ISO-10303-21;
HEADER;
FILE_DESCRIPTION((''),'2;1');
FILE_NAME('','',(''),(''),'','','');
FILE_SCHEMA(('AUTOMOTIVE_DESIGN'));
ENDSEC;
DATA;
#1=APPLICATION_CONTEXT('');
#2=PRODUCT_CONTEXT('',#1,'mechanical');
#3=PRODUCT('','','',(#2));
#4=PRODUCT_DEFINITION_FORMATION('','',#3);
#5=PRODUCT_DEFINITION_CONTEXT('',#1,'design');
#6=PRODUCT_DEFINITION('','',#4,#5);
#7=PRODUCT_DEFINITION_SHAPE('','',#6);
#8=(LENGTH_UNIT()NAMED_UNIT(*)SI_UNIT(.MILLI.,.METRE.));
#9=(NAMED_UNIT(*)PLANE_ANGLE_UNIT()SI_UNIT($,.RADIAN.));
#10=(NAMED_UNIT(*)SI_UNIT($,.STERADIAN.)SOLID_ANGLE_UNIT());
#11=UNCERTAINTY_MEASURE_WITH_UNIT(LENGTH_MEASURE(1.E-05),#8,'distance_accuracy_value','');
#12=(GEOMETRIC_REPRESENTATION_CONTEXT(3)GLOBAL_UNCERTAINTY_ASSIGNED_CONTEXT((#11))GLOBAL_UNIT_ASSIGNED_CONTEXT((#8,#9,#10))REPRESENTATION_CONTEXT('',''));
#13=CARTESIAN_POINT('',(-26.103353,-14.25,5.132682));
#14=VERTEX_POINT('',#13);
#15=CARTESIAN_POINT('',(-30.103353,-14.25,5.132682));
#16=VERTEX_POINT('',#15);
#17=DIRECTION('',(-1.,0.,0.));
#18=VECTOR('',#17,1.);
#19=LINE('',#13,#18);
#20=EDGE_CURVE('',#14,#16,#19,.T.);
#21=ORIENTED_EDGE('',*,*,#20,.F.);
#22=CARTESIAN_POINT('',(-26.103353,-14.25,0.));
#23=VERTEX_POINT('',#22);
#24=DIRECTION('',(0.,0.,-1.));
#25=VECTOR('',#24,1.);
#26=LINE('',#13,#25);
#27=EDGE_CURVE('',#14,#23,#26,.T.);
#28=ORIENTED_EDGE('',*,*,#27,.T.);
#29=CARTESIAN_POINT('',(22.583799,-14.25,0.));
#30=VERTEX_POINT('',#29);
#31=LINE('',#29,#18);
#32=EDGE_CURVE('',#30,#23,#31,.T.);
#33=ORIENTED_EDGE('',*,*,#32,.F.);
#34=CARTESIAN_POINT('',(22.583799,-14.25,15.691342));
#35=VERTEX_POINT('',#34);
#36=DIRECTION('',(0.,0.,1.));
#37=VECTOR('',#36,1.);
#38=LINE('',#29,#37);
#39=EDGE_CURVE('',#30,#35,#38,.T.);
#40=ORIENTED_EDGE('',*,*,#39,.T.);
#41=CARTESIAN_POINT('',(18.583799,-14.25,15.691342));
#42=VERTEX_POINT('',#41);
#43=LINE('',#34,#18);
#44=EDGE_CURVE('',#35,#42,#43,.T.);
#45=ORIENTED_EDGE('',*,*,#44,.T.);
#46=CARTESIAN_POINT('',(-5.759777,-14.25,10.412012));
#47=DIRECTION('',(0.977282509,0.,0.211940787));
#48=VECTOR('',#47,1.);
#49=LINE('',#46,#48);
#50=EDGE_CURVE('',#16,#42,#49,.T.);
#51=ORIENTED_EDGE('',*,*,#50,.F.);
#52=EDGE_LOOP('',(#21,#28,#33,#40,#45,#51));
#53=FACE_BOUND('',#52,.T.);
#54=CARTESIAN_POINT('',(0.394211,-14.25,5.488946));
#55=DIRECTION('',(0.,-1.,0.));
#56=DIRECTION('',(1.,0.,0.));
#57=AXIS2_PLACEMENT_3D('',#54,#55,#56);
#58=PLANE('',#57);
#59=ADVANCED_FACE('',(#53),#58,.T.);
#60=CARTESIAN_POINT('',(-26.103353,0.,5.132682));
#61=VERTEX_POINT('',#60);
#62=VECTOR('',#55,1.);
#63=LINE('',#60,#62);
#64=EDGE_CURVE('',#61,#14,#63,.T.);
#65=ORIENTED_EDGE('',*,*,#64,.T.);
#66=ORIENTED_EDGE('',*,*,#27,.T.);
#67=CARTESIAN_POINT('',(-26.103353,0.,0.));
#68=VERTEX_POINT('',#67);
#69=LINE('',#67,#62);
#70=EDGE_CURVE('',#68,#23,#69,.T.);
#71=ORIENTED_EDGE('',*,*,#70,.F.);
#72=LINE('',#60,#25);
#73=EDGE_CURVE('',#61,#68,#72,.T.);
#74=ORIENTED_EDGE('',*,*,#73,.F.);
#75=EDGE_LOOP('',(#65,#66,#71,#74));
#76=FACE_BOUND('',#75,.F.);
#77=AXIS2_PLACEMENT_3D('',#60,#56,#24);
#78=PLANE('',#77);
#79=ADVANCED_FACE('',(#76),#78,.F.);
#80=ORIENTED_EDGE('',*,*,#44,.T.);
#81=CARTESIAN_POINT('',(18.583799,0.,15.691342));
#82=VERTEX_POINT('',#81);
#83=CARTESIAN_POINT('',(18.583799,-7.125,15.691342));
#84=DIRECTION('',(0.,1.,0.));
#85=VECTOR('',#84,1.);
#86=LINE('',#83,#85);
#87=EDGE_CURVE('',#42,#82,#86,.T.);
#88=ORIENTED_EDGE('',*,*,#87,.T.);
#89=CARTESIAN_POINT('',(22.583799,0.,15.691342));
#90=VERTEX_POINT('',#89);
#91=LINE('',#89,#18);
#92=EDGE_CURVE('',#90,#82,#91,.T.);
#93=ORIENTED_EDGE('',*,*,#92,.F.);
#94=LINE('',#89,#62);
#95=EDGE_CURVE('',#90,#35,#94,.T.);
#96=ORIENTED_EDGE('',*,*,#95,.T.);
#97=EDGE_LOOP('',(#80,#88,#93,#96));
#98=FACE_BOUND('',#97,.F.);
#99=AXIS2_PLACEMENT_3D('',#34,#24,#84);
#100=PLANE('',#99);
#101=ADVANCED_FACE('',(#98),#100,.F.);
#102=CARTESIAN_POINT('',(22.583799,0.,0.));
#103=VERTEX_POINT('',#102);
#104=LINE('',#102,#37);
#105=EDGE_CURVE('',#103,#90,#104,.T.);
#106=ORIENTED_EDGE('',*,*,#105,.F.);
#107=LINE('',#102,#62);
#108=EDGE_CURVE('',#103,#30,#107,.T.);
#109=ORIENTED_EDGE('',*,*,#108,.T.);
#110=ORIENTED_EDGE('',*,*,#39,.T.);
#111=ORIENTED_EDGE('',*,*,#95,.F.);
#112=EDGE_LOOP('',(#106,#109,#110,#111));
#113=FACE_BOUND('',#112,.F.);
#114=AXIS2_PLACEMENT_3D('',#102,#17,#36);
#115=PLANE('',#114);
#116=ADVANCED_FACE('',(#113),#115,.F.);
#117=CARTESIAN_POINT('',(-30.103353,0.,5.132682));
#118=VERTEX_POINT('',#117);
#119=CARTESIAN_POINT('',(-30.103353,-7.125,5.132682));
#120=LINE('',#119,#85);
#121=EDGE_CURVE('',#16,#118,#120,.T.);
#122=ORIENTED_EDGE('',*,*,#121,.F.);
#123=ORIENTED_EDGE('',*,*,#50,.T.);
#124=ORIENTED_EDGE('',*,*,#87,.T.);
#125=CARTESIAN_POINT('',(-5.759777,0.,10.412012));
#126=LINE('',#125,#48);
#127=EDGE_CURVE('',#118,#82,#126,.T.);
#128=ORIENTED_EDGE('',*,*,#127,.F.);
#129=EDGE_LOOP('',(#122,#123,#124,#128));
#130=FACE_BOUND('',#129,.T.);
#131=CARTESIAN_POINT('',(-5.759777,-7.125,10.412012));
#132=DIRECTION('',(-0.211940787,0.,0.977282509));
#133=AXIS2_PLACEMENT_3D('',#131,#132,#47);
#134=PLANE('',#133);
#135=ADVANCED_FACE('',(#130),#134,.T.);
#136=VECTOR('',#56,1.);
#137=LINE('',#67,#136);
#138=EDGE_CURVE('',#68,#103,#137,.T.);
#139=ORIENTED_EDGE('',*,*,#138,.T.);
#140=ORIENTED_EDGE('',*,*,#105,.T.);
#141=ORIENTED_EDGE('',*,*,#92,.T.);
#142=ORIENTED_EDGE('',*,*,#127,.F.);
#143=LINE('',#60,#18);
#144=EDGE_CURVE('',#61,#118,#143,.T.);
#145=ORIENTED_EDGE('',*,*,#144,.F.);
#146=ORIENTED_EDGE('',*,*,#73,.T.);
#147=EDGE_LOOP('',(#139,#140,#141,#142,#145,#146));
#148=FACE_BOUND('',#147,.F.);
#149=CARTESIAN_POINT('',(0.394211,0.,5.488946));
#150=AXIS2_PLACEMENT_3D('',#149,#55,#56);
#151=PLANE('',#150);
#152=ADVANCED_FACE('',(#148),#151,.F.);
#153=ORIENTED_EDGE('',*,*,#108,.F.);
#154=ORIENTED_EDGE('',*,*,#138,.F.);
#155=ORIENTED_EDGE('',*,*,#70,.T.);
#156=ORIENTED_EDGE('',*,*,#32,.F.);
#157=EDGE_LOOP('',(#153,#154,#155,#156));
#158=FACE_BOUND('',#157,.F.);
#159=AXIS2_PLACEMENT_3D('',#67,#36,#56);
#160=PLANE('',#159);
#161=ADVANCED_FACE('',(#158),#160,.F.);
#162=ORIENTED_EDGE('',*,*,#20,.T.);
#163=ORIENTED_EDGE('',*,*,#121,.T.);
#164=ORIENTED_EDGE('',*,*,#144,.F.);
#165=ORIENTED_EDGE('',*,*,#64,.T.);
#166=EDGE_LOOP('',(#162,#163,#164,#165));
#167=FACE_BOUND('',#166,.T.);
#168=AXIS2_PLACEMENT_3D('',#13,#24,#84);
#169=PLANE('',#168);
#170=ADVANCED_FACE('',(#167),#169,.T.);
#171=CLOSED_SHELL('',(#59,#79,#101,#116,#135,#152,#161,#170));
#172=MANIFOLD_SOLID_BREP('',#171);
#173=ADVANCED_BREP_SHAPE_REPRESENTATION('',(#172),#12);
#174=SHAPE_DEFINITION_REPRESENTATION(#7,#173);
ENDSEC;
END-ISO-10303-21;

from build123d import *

# Parameters (mm, degrees)
F1_DEPTH   = 14.25
F3_R       = 2.6339029673
F2_W       = 14.25
F2_H       = 15.6913418323
F1_FACE1_W = 49.818913266
F1_FACE1_H = 14.25
F4_DEPTH   = 4


with BuildPart() as f1:
    # F0 (on Front) → F1 (new body)
    with BuildSketch(Plane.XZ):
        Polygon((-26.1033531278, 0), (22.5837994367, 0), (22.5837994367, 15.6913418323), (-26.1033531278, 5.1326821558), align=None)
    extrude(amount=F1_DEPTH)

    # F3 (on face) + F2 (on face) + F1_face1 (on face) → F4 (join)
    with BuildSketch(Plane.YZ.offset(22.5837994367)):
        with Locations((-7.3555130512, 8.1108119339)):
            Circle(F3_R)
    with BuildSketch(Plane.YZ.offset(22.5837994367)):
        with Locations((-7.125, 7.8456709161)):
            Rectangle(F2_W, F2_H)
    with BuildSketch(Plane(origin=(-1.7597768456, -7.125, 10.412011994), x_dir=(1, 0, 0), z_dir=(-0.2119407868, 0, 0.9772825092))):
        Rectangle(F1_FACE1_W, F1_FACE1_H)
    extrude(amount=-F4_DEPTH, dir=(1, 0, 0))


solid = f1.part
